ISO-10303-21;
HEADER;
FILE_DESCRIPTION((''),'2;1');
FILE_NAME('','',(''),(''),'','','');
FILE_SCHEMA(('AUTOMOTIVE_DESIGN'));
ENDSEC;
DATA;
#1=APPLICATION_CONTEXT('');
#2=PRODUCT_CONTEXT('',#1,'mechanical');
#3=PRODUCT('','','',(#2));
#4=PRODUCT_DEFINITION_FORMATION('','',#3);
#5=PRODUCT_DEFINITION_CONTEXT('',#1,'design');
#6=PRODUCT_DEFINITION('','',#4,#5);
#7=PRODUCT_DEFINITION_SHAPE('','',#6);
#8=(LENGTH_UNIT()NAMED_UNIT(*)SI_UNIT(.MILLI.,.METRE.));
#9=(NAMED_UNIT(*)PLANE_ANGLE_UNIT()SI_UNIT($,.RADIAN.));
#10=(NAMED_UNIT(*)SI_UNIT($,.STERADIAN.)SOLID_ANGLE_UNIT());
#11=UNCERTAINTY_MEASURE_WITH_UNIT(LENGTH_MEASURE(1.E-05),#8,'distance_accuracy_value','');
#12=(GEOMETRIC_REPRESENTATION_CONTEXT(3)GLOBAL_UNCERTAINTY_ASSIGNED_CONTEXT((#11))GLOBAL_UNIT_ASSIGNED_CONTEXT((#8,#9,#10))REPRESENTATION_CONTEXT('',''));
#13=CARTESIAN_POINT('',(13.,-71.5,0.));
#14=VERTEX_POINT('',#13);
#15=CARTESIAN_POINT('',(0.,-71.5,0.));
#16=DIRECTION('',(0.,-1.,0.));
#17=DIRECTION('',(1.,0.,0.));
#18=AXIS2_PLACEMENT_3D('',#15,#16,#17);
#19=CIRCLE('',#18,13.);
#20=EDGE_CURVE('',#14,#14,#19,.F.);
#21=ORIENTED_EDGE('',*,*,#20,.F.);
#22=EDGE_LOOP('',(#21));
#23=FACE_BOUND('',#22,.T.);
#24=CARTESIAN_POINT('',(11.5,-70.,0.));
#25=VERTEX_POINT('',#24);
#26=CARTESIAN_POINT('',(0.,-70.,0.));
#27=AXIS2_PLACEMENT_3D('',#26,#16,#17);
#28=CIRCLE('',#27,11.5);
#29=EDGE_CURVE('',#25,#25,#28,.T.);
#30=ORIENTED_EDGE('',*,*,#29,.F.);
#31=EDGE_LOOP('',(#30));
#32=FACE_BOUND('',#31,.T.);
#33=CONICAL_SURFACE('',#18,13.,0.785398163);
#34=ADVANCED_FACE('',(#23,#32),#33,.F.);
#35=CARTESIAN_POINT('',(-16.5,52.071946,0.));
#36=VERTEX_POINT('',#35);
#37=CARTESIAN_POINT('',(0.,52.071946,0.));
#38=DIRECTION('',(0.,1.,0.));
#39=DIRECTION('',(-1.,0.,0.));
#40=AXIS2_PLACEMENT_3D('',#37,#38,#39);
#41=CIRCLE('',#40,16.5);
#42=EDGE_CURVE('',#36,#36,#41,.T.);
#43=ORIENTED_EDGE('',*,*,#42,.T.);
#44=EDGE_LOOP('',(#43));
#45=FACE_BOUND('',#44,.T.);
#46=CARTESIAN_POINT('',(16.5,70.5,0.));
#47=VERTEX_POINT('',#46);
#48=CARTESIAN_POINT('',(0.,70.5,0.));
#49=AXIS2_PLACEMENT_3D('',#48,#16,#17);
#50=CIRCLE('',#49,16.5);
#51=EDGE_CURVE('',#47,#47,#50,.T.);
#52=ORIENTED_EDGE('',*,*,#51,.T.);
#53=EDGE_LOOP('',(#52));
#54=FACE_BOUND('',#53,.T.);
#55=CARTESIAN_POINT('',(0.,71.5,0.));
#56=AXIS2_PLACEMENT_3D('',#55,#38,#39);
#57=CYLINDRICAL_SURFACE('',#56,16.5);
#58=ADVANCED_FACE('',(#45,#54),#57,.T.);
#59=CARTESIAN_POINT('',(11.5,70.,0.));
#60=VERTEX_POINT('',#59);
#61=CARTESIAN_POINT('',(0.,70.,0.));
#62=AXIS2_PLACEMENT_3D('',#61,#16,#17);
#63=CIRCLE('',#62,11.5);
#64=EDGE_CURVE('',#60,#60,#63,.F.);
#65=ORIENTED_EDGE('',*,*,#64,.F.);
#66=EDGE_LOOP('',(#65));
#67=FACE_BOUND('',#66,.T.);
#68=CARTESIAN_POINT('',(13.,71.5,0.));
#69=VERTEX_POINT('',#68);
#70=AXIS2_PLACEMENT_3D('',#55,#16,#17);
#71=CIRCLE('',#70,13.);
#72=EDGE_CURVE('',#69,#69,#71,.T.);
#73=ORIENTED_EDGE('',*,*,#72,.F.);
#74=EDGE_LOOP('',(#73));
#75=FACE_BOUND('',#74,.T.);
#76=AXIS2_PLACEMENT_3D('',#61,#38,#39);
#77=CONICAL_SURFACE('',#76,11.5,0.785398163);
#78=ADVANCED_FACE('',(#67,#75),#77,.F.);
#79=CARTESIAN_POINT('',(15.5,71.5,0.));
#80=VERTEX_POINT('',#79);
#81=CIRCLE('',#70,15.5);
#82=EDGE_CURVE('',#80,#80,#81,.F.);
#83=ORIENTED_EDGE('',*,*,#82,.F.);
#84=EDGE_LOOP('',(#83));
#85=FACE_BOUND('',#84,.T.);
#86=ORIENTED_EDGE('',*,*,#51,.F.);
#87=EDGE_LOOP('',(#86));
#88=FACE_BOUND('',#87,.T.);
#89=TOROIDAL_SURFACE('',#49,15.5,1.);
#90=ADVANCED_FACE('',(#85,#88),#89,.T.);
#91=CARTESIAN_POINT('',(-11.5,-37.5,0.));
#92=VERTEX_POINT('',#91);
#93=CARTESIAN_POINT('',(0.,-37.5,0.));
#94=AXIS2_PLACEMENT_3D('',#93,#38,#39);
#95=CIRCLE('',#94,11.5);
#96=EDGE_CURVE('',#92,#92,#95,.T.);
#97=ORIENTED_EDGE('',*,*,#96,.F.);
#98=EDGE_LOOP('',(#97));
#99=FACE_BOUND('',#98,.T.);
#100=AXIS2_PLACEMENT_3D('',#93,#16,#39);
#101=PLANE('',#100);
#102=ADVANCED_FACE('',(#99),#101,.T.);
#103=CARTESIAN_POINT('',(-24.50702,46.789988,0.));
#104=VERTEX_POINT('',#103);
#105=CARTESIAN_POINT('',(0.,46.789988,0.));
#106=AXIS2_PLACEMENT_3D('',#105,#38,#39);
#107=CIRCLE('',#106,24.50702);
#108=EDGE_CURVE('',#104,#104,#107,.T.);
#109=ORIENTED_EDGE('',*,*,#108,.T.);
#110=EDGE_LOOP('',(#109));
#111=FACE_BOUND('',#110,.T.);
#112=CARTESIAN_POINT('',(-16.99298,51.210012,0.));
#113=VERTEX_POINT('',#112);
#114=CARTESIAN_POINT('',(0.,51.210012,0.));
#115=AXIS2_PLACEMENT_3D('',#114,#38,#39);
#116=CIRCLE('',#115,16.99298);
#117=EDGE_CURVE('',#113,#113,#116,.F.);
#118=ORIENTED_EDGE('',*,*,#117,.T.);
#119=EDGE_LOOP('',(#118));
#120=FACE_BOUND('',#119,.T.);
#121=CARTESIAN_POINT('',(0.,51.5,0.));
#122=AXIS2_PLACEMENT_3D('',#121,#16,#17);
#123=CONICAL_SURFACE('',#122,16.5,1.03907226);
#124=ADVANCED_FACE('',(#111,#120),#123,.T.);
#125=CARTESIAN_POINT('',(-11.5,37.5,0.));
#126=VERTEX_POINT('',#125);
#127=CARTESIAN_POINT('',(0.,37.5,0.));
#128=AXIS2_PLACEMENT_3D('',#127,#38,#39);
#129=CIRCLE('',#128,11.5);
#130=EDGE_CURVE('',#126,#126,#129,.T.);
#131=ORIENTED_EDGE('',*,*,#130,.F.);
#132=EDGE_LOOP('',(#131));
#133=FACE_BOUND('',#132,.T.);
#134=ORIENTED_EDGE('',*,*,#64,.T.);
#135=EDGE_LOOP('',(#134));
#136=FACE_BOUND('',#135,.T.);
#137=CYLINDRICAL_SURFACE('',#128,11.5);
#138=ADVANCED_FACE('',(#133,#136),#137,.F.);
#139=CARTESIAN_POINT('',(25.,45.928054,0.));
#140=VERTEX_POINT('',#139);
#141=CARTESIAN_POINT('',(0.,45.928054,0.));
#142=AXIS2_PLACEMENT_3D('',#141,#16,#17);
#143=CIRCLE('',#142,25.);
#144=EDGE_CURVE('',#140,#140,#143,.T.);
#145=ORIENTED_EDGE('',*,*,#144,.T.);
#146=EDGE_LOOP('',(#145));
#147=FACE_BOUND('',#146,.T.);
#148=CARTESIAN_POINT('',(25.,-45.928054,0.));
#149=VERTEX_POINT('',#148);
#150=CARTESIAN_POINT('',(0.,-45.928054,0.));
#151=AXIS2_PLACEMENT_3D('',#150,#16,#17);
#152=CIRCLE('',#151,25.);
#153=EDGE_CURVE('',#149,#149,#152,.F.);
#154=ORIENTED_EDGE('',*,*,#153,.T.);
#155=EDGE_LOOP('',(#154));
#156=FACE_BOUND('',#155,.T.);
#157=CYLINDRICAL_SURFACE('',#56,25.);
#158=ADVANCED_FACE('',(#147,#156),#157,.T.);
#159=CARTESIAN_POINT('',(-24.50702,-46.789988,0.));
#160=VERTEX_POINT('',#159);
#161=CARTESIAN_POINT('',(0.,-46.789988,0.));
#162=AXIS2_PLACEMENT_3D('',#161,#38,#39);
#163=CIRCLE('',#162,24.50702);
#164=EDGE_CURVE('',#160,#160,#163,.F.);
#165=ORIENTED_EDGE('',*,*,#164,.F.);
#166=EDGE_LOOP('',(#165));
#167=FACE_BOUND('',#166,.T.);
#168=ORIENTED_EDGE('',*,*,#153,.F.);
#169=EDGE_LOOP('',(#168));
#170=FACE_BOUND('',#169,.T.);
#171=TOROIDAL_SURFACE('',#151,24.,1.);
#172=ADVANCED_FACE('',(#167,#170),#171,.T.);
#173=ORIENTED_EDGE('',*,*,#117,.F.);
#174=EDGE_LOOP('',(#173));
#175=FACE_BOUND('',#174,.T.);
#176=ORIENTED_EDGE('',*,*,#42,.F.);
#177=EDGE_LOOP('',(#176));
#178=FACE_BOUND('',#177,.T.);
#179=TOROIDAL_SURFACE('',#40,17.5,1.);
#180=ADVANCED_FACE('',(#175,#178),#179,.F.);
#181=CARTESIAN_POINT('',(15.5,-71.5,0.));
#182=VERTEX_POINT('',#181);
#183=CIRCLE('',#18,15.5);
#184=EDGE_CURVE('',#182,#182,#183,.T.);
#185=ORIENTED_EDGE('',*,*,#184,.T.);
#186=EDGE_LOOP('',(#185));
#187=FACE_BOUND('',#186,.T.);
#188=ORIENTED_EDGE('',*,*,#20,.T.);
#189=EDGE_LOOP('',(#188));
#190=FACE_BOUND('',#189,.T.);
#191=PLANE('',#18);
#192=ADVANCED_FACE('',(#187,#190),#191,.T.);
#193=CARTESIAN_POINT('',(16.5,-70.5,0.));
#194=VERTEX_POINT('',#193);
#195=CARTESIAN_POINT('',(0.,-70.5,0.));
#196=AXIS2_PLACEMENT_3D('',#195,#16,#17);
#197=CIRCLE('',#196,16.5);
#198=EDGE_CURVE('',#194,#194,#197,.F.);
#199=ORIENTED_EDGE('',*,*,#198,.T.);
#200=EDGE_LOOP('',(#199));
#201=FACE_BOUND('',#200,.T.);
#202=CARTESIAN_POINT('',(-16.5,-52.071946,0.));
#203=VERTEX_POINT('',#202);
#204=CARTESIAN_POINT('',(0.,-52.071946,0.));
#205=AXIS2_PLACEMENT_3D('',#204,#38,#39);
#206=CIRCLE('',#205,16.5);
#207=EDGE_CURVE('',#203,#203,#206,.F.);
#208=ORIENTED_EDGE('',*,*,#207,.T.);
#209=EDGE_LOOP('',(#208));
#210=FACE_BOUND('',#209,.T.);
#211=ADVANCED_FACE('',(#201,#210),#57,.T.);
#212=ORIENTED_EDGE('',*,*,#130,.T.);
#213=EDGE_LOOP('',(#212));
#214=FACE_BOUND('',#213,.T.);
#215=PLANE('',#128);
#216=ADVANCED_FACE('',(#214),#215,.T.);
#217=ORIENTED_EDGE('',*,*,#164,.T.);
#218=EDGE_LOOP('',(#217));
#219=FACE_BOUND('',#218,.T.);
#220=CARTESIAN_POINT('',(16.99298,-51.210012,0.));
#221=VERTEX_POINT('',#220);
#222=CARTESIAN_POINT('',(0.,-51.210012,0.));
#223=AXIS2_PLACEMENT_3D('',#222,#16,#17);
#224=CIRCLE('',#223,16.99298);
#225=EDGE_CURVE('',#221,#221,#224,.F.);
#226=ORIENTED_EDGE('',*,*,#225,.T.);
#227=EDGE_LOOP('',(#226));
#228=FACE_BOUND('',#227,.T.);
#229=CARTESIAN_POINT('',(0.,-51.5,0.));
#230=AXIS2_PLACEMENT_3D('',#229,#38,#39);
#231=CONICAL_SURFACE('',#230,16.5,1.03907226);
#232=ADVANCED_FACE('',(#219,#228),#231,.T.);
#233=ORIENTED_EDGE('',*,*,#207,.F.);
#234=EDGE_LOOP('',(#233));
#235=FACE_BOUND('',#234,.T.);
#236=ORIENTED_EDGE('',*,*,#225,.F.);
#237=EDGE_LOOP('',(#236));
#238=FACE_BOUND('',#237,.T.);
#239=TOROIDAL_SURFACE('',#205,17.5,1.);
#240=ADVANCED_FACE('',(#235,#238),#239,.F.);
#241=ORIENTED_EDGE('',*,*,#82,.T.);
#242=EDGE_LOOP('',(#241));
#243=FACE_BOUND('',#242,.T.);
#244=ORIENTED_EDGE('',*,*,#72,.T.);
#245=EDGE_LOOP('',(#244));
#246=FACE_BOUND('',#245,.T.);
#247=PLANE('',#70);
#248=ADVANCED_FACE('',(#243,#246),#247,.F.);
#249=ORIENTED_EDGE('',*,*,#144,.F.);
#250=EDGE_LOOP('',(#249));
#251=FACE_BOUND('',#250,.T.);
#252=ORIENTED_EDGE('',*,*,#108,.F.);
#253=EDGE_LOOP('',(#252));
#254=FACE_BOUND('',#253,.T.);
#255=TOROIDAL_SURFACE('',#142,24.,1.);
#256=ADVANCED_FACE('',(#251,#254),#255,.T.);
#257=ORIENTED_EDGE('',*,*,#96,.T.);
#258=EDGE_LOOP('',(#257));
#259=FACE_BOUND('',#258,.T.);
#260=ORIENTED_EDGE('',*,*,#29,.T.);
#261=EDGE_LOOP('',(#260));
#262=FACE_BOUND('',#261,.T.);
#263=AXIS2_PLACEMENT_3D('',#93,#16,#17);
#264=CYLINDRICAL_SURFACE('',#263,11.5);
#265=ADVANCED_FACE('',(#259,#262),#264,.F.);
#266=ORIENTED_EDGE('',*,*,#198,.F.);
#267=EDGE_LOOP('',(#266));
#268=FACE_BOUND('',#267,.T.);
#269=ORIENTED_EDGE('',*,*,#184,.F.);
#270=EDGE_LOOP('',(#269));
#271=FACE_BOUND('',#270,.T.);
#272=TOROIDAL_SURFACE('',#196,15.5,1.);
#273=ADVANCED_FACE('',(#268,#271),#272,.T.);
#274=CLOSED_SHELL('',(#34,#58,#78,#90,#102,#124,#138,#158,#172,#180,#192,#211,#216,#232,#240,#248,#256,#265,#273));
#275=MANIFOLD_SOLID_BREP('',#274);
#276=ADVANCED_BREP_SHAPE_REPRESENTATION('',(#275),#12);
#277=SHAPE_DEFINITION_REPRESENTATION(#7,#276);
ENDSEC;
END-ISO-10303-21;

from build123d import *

# Parameters (mm, degrees)
SKETCH2_R          = 11.5
CUT_EXTRUDE1_DEPTH = 34
FILLET1_R          = 1
FILLET2_R          = 1
FILLET3_R          = 1
FILLET5_R          = 1
CHAMFER1_SIZE      = 1.5


with BuildPart() as part:
    # Sketch1 → Revolve2 (revolve)
    with BuildSketch(Plane.XY, mode=Mode.PRIVATE) as revolve2_sk:
        Polygon((16.5, 71.5), (0, 71.5), (0, 0), (25, 0), (25, 46.5), (16.5, 51.5), align=None)
        Polygon((25, 0), (0, 0), (0, -71.5), (16.5, -71.5), (16.5, -51.5), (25, -46.5), align=None)
    revolve(revolve2_sk.sketch.rotate(Axis((0, 71.5, 0), (0, -1, 0)), 180), axis=Axis((0, 71.5, 0), (0, -1, 0)))

    # Sketch2 → Cut-Extrude1 (cut)
    with BuildSketch(Plane(origin=(0, 71.5, 0), x_dir=(1, 0, 0), z_dir=(0, 1, 0))):
        with Locations(Location((0, 0, 0), (0, 0, 180))):
            Circle(SKETCH2_R)
    cut_extrude1 = extrude(amount=-CUT_EXTRUDE1_DEPTH, mode=Mode.SUBTRACT)

    # Mirror1: Cut-Extrude1 across plane
    add(cut_extrude1.mirror(Plane.ZX), mode=Mode.SUBTRACT)

    # Fillet1
    fillet1_edges = [part.edges().sort_by_distance(p)[0] for p in [
        (25, 46.5, 0),
    ]]
    fillet(fillet1_edges, radius=FILLET1_R)

    # Fillet2
    fillet2_edges = [part.edges().sort_by_distance(p)[0] for p in [
        (16.5, 51.5, 0),
    ]]
    fillet(fillet2_edges, radius=FILLET2_R)

    # Fillet3
    fillet3_edges = [part.edges().sort_by_distance(p)[0] for p in [
        (25, -46.5, 0),
        (16.5, -51.5, 0),
    ]]
    fillet(fillet3_edges, radius=FILLET3_R)

    # Fillet5
    fillet5_edges = [part.edges().sort_by_distance(p)[0] for p in [
        (16.5, 71.5, 0),
        (16.5, -71.5, 0),
    ]]
    fillet(fillet5_edges, radius=FILLET5_R)

    # Chamfer1
    chamfer1_edges = [part.edges().sort_by_distance(p)[0] for p in [
        (11.5, 71.5, 0),
        (11.5, -71.5, 0),
    ]]
    chamfer(chamfer1_edges, length=CHAMFER1_SIZE)


solid = part.part
